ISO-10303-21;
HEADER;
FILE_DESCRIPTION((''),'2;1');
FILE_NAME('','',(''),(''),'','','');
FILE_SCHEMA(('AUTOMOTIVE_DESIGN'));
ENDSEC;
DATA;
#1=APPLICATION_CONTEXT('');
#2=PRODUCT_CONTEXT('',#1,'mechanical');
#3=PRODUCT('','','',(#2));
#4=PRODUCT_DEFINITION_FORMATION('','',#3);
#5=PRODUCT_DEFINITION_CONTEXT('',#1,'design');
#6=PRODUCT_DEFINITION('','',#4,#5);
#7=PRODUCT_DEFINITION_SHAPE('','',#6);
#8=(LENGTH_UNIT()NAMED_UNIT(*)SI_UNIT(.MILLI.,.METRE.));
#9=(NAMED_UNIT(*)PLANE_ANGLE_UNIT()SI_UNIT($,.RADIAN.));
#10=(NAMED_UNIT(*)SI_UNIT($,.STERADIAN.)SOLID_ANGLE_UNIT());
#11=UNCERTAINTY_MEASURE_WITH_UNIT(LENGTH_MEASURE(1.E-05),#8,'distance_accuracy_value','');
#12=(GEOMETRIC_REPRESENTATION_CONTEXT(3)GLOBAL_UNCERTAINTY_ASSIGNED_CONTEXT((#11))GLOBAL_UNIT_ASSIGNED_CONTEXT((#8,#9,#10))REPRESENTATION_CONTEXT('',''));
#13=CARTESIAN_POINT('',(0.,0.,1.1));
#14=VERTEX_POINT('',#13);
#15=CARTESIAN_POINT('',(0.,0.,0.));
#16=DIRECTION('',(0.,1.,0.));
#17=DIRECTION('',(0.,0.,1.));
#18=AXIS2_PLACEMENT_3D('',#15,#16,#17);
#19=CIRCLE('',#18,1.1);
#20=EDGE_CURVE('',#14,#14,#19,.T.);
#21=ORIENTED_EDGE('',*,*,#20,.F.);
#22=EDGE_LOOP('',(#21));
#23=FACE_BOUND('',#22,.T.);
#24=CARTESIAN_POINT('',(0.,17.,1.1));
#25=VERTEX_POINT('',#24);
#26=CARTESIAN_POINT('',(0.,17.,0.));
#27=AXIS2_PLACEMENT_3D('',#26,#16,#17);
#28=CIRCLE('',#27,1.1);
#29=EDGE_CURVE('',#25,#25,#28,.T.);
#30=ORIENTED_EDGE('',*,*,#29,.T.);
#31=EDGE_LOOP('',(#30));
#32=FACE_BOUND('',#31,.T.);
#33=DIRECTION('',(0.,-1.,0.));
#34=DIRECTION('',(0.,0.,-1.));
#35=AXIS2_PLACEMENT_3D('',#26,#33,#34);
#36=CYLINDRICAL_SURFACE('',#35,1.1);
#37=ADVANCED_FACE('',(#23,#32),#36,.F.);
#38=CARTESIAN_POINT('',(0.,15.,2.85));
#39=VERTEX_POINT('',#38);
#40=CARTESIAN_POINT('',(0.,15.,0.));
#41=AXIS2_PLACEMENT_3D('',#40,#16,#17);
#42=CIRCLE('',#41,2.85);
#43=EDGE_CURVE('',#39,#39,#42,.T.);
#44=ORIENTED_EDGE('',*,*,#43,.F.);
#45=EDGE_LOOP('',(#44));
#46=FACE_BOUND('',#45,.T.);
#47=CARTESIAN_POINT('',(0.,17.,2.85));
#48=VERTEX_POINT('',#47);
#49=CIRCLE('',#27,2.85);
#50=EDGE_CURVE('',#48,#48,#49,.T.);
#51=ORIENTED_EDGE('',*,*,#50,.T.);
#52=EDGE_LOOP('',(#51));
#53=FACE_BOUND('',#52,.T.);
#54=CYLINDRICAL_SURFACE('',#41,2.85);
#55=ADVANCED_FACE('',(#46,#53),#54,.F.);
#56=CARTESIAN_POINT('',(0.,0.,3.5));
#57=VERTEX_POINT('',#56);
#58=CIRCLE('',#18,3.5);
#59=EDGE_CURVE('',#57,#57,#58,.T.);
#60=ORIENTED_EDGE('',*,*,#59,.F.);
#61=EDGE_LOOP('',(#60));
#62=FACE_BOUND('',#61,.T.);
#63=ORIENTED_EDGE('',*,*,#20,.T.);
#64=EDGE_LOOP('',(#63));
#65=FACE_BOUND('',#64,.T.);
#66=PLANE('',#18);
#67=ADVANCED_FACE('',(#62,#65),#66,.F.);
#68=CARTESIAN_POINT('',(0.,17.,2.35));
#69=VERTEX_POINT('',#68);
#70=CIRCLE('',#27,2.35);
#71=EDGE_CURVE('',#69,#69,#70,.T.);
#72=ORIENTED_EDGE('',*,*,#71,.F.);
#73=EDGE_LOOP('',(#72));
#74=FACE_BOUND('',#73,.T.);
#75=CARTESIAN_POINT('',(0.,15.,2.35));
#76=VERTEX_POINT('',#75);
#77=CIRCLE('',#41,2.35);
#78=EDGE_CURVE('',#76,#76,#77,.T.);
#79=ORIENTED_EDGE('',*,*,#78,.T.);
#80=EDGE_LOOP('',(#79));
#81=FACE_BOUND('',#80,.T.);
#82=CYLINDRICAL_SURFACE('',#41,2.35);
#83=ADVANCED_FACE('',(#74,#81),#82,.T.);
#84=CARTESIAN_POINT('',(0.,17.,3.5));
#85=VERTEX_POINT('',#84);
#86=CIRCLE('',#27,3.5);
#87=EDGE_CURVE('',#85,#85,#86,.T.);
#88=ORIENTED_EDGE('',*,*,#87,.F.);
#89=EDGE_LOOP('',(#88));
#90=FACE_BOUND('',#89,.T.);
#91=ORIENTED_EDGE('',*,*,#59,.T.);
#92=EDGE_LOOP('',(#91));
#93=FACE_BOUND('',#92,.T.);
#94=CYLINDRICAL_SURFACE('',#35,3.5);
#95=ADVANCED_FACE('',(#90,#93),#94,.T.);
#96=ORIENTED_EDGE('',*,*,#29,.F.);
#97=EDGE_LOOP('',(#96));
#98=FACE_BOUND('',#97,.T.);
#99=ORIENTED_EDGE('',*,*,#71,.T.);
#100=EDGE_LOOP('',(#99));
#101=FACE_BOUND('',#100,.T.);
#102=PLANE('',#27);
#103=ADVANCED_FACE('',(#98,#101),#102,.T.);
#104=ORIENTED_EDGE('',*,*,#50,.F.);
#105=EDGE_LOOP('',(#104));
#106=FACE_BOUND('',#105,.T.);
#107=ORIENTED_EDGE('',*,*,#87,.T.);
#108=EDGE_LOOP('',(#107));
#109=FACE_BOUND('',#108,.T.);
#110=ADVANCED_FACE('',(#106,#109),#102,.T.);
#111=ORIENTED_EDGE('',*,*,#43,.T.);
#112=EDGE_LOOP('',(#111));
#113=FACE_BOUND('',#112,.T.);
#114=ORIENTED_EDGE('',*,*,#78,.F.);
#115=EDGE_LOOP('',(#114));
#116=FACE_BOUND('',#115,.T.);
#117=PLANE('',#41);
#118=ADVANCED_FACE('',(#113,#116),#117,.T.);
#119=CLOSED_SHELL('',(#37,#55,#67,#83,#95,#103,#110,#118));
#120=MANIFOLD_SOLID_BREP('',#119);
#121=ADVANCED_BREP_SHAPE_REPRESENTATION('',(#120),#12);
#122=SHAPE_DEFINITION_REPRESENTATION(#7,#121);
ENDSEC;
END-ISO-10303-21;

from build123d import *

# Parameters (mm, degrees)
ESQUISSE1_R             = 3.5
ESQUISSE1_R_2           = 1.1
BOSS_EXTRU_2_DEPTH      = 17
ESQUISSE2_R             = 2.85
ESQUISSE2_R_2           = 2.35
ENL_V_MAT_EXTRU_1_DEPTH = 2


with BuildPart() as part:
    # Esquisse1 → Boss.-Extru.2 (new body)
    with BuildSketch(Plane(origin=(0, 0, 0), x_dir=(1, 0, 0), z_dir=(0, 1, 0))):
        Circle(ESQUISSE1_R)
        Circle(ESQUISSE1_R_2, mode=Mode.SUBTRACT)
    extrude(amount=BOSS_EXTRU_2_DEPTH)

    # Esquisse2 → Enlèv. mat.-Extru.1 (cut)
    with BuildSketch(Plane(origin=(0, 17, 0), x_dir=(1, 0, 0), z_dir=(0, 1, 0))):
        Circle(ESQUISSE2_R)
        Circle(ESQUISSE2_R_2, mode=Mode.SUBTRACT)
    extrude(amount=-ENL_V_MAT_EXTRU_1_DEPTH, mode=Mode.SUBTRACT)


solid = part.part
